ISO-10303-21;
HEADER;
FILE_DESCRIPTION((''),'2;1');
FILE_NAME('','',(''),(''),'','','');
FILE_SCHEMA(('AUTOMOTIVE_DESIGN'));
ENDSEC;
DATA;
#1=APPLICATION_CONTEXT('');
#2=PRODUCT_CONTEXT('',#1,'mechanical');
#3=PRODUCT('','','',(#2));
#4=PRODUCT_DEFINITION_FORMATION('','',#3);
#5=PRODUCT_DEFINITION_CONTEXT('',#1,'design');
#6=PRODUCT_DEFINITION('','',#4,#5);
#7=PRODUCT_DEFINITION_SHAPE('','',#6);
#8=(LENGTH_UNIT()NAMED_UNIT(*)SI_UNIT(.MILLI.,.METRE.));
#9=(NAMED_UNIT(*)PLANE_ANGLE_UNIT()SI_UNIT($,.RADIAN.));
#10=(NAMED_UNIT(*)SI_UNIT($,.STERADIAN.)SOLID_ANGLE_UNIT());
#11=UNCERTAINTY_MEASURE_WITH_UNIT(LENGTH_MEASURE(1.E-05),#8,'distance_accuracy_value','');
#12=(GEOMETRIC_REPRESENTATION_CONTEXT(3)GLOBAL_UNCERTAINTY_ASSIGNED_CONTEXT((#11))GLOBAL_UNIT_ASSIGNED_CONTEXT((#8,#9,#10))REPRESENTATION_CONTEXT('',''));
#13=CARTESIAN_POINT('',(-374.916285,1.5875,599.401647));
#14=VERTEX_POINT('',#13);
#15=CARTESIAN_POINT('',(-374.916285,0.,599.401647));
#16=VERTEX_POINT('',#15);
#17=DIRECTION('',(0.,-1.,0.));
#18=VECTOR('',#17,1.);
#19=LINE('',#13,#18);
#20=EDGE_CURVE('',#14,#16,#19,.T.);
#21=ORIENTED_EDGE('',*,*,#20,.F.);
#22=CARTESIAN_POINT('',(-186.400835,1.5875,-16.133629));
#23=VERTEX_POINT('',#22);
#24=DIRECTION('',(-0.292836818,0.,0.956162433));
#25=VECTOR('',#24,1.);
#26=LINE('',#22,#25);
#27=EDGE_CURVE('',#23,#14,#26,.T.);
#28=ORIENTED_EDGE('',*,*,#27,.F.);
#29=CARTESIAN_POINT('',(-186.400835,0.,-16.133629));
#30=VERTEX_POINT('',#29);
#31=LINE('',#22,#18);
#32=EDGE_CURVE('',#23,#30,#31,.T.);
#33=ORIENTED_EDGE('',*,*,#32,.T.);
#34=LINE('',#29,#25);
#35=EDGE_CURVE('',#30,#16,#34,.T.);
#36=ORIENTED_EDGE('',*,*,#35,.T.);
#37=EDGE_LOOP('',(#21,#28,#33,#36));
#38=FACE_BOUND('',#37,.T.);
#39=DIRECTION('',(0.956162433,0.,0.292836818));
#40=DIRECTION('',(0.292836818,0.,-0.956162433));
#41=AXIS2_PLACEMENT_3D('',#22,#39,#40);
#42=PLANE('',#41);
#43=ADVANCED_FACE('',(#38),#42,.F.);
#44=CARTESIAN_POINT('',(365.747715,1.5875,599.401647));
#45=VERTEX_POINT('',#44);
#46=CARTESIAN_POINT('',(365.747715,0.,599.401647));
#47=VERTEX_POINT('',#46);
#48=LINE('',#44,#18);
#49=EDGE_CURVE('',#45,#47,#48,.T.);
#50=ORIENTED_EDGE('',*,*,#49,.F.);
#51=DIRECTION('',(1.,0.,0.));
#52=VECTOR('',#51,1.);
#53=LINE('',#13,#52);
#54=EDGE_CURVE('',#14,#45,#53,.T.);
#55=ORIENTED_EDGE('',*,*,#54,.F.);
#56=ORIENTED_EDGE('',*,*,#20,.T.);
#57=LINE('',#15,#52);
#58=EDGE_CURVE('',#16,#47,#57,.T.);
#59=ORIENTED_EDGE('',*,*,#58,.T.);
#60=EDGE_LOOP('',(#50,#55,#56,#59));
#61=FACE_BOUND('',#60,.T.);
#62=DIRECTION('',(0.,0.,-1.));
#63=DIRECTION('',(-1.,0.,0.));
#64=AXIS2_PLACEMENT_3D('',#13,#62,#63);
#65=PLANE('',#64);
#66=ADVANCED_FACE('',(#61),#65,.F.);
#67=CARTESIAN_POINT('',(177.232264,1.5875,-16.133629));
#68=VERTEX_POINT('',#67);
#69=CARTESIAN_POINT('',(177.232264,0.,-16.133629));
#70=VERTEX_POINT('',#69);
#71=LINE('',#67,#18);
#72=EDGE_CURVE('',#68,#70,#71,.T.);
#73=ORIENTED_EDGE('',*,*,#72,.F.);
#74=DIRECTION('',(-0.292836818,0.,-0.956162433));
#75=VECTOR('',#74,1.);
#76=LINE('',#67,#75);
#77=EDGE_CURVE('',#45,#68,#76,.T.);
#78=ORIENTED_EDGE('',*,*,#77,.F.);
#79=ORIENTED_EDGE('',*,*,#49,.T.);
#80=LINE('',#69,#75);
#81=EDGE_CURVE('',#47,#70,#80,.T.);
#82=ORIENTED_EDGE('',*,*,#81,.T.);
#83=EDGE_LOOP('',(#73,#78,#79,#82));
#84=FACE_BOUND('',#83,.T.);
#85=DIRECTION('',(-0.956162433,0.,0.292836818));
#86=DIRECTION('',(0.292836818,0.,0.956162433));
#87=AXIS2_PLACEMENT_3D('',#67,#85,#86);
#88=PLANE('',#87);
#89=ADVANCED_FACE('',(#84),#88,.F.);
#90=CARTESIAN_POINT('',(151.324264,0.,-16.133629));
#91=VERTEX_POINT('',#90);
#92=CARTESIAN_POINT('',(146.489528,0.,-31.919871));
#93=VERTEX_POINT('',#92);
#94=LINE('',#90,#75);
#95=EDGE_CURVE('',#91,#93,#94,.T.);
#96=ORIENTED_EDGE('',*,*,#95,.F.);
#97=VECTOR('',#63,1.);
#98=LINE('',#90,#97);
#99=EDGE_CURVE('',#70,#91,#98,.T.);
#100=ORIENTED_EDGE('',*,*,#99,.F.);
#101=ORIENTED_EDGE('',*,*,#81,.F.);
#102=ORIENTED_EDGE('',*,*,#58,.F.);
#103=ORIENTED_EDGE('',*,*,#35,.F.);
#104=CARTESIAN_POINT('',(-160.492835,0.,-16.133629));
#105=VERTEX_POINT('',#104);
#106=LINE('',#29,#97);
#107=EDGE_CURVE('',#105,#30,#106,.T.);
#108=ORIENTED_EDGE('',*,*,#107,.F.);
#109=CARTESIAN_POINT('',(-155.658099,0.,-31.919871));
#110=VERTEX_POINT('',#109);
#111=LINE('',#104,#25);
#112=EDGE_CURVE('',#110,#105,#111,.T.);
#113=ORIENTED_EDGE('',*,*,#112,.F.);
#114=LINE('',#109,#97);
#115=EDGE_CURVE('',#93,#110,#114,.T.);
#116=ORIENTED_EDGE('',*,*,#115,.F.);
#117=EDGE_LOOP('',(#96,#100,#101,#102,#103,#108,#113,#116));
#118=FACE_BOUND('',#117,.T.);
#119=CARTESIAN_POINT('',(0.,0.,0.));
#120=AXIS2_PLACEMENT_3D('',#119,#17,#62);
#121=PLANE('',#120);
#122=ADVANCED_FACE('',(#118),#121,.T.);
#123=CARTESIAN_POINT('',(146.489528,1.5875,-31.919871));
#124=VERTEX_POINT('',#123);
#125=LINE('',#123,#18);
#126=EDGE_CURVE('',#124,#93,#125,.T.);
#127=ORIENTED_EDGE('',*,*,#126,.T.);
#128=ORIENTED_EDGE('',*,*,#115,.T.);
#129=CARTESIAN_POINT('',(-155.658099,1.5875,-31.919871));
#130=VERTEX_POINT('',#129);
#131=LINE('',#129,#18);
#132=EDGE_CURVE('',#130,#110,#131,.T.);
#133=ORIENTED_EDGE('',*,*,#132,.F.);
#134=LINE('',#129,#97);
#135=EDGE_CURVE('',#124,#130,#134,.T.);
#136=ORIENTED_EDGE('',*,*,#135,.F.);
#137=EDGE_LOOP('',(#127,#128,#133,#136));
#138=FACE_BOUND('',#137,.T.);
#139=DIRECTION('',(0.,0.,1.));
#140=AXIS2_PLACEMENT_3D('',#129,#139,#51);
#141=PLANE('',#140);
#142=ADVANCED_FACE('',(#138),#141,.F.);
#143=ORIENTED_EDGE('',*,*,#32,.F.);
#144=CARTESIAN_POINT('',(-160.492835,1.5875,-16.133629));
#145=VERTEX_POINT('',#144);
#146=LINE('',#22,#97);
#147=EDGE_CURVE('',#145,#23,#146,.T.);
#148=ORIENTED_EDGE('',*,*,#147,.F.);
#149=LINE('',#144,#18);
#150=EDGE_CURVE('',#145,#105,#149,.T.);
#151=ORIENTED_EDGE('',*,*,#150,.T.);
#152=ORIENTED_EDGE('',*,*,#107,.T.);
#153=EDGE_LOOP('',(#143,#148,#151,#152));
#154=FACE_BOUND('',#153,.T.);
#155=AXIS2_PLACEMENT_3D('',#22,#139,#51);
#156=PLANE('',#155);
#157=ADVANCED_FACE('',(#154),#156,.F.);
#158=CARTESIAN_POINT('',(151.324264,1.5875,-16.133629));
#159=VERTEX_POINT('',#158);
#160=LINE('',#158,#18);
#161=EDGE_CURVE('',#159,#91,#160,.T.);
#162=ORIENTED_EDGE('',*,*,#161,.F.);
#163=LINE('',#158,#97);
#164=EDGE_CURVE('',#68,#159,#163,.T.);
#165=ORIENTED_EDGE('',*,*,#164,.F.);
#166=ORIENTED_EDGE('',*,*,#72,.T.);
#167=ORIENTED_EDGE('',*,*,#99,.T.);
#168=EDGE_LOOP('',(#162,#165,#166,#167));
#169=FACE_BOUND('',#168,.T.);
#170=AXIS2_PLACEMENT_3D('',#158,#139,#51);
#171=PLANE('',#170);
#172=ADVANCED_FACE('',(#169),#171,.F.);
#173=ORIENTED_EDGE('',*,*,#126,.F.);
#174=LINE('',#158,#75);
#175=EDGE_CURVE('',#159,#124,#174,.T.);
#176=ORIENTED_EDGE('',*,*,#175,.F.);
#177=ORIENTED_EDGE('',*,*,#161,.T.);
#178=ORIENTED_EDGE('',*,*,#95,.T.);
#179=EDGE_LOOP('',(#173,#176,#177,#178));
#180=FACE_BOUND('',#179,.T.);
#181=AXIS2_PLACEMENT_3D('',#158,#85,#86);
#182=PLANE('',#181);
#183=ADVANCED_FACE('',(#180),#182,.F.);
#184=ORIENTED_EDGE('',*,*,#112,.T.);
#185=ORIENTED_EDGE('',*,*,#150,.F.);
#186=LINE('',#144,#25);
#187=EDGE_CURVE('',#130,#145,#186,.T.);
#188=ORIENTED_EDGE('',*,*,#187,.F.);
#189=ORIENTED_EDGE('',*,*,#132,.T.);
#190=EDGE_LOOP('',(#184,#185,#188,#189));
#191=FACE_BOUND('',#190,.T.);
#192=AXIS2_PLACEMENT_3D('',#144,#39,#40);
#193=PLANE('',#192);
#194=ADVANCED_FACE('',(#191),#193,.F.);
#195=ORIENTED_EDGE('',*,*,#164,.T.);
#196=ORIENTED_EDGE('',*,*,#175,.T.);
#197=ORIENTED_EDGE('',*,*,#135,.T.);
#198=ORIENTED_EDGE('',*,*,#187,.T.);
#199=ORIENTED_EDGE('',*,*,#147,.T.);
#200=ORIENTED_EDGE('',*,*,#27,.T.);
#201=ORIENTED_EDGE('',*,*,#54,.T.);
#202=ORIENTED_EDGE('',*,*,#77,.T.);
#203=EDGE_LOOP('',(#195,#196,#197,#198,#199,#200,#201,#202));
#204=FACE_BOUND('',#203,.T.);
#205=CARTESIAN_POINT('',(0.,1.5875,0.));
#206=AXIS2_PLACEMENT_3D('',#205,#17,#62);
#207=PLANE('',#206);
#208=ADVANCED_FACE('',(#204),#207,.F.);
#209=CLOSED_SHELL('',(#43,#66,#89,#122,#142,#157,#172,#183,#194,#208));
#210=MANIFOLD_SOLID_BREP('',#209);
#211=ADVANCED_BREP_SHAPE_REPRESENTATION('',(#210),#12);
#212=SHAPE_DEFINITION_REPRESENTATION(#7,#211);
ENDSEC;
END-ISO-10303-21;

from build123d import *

# Parameters (mm, degrees)
BOSS_EXTRUDE1_DEPTH = 1.5875


with BuildPart() as part:
    # Sketch1 → Boss-Extrude1 (new body)
    with BuildSketch(Plane(origin=(0, 0, 0), x_dir=(1, 0, 0), z_dir=(0, 1, 0))):
        Polygon((-186.400835238, 16.133629032), (-374.916285391, -599.401646952), (365.747714502, -599.401646952), (177.232264348, 16.133629032), (151.324264348, 16.133629032), (146.489528486, 31.919870799), (-155.658099376, 31.919870799), (-160.492835238, 16.133629032), align=None)
    extrude(amount=BOSS_EXTRUDE1_DEPTH)


solid = part.part
